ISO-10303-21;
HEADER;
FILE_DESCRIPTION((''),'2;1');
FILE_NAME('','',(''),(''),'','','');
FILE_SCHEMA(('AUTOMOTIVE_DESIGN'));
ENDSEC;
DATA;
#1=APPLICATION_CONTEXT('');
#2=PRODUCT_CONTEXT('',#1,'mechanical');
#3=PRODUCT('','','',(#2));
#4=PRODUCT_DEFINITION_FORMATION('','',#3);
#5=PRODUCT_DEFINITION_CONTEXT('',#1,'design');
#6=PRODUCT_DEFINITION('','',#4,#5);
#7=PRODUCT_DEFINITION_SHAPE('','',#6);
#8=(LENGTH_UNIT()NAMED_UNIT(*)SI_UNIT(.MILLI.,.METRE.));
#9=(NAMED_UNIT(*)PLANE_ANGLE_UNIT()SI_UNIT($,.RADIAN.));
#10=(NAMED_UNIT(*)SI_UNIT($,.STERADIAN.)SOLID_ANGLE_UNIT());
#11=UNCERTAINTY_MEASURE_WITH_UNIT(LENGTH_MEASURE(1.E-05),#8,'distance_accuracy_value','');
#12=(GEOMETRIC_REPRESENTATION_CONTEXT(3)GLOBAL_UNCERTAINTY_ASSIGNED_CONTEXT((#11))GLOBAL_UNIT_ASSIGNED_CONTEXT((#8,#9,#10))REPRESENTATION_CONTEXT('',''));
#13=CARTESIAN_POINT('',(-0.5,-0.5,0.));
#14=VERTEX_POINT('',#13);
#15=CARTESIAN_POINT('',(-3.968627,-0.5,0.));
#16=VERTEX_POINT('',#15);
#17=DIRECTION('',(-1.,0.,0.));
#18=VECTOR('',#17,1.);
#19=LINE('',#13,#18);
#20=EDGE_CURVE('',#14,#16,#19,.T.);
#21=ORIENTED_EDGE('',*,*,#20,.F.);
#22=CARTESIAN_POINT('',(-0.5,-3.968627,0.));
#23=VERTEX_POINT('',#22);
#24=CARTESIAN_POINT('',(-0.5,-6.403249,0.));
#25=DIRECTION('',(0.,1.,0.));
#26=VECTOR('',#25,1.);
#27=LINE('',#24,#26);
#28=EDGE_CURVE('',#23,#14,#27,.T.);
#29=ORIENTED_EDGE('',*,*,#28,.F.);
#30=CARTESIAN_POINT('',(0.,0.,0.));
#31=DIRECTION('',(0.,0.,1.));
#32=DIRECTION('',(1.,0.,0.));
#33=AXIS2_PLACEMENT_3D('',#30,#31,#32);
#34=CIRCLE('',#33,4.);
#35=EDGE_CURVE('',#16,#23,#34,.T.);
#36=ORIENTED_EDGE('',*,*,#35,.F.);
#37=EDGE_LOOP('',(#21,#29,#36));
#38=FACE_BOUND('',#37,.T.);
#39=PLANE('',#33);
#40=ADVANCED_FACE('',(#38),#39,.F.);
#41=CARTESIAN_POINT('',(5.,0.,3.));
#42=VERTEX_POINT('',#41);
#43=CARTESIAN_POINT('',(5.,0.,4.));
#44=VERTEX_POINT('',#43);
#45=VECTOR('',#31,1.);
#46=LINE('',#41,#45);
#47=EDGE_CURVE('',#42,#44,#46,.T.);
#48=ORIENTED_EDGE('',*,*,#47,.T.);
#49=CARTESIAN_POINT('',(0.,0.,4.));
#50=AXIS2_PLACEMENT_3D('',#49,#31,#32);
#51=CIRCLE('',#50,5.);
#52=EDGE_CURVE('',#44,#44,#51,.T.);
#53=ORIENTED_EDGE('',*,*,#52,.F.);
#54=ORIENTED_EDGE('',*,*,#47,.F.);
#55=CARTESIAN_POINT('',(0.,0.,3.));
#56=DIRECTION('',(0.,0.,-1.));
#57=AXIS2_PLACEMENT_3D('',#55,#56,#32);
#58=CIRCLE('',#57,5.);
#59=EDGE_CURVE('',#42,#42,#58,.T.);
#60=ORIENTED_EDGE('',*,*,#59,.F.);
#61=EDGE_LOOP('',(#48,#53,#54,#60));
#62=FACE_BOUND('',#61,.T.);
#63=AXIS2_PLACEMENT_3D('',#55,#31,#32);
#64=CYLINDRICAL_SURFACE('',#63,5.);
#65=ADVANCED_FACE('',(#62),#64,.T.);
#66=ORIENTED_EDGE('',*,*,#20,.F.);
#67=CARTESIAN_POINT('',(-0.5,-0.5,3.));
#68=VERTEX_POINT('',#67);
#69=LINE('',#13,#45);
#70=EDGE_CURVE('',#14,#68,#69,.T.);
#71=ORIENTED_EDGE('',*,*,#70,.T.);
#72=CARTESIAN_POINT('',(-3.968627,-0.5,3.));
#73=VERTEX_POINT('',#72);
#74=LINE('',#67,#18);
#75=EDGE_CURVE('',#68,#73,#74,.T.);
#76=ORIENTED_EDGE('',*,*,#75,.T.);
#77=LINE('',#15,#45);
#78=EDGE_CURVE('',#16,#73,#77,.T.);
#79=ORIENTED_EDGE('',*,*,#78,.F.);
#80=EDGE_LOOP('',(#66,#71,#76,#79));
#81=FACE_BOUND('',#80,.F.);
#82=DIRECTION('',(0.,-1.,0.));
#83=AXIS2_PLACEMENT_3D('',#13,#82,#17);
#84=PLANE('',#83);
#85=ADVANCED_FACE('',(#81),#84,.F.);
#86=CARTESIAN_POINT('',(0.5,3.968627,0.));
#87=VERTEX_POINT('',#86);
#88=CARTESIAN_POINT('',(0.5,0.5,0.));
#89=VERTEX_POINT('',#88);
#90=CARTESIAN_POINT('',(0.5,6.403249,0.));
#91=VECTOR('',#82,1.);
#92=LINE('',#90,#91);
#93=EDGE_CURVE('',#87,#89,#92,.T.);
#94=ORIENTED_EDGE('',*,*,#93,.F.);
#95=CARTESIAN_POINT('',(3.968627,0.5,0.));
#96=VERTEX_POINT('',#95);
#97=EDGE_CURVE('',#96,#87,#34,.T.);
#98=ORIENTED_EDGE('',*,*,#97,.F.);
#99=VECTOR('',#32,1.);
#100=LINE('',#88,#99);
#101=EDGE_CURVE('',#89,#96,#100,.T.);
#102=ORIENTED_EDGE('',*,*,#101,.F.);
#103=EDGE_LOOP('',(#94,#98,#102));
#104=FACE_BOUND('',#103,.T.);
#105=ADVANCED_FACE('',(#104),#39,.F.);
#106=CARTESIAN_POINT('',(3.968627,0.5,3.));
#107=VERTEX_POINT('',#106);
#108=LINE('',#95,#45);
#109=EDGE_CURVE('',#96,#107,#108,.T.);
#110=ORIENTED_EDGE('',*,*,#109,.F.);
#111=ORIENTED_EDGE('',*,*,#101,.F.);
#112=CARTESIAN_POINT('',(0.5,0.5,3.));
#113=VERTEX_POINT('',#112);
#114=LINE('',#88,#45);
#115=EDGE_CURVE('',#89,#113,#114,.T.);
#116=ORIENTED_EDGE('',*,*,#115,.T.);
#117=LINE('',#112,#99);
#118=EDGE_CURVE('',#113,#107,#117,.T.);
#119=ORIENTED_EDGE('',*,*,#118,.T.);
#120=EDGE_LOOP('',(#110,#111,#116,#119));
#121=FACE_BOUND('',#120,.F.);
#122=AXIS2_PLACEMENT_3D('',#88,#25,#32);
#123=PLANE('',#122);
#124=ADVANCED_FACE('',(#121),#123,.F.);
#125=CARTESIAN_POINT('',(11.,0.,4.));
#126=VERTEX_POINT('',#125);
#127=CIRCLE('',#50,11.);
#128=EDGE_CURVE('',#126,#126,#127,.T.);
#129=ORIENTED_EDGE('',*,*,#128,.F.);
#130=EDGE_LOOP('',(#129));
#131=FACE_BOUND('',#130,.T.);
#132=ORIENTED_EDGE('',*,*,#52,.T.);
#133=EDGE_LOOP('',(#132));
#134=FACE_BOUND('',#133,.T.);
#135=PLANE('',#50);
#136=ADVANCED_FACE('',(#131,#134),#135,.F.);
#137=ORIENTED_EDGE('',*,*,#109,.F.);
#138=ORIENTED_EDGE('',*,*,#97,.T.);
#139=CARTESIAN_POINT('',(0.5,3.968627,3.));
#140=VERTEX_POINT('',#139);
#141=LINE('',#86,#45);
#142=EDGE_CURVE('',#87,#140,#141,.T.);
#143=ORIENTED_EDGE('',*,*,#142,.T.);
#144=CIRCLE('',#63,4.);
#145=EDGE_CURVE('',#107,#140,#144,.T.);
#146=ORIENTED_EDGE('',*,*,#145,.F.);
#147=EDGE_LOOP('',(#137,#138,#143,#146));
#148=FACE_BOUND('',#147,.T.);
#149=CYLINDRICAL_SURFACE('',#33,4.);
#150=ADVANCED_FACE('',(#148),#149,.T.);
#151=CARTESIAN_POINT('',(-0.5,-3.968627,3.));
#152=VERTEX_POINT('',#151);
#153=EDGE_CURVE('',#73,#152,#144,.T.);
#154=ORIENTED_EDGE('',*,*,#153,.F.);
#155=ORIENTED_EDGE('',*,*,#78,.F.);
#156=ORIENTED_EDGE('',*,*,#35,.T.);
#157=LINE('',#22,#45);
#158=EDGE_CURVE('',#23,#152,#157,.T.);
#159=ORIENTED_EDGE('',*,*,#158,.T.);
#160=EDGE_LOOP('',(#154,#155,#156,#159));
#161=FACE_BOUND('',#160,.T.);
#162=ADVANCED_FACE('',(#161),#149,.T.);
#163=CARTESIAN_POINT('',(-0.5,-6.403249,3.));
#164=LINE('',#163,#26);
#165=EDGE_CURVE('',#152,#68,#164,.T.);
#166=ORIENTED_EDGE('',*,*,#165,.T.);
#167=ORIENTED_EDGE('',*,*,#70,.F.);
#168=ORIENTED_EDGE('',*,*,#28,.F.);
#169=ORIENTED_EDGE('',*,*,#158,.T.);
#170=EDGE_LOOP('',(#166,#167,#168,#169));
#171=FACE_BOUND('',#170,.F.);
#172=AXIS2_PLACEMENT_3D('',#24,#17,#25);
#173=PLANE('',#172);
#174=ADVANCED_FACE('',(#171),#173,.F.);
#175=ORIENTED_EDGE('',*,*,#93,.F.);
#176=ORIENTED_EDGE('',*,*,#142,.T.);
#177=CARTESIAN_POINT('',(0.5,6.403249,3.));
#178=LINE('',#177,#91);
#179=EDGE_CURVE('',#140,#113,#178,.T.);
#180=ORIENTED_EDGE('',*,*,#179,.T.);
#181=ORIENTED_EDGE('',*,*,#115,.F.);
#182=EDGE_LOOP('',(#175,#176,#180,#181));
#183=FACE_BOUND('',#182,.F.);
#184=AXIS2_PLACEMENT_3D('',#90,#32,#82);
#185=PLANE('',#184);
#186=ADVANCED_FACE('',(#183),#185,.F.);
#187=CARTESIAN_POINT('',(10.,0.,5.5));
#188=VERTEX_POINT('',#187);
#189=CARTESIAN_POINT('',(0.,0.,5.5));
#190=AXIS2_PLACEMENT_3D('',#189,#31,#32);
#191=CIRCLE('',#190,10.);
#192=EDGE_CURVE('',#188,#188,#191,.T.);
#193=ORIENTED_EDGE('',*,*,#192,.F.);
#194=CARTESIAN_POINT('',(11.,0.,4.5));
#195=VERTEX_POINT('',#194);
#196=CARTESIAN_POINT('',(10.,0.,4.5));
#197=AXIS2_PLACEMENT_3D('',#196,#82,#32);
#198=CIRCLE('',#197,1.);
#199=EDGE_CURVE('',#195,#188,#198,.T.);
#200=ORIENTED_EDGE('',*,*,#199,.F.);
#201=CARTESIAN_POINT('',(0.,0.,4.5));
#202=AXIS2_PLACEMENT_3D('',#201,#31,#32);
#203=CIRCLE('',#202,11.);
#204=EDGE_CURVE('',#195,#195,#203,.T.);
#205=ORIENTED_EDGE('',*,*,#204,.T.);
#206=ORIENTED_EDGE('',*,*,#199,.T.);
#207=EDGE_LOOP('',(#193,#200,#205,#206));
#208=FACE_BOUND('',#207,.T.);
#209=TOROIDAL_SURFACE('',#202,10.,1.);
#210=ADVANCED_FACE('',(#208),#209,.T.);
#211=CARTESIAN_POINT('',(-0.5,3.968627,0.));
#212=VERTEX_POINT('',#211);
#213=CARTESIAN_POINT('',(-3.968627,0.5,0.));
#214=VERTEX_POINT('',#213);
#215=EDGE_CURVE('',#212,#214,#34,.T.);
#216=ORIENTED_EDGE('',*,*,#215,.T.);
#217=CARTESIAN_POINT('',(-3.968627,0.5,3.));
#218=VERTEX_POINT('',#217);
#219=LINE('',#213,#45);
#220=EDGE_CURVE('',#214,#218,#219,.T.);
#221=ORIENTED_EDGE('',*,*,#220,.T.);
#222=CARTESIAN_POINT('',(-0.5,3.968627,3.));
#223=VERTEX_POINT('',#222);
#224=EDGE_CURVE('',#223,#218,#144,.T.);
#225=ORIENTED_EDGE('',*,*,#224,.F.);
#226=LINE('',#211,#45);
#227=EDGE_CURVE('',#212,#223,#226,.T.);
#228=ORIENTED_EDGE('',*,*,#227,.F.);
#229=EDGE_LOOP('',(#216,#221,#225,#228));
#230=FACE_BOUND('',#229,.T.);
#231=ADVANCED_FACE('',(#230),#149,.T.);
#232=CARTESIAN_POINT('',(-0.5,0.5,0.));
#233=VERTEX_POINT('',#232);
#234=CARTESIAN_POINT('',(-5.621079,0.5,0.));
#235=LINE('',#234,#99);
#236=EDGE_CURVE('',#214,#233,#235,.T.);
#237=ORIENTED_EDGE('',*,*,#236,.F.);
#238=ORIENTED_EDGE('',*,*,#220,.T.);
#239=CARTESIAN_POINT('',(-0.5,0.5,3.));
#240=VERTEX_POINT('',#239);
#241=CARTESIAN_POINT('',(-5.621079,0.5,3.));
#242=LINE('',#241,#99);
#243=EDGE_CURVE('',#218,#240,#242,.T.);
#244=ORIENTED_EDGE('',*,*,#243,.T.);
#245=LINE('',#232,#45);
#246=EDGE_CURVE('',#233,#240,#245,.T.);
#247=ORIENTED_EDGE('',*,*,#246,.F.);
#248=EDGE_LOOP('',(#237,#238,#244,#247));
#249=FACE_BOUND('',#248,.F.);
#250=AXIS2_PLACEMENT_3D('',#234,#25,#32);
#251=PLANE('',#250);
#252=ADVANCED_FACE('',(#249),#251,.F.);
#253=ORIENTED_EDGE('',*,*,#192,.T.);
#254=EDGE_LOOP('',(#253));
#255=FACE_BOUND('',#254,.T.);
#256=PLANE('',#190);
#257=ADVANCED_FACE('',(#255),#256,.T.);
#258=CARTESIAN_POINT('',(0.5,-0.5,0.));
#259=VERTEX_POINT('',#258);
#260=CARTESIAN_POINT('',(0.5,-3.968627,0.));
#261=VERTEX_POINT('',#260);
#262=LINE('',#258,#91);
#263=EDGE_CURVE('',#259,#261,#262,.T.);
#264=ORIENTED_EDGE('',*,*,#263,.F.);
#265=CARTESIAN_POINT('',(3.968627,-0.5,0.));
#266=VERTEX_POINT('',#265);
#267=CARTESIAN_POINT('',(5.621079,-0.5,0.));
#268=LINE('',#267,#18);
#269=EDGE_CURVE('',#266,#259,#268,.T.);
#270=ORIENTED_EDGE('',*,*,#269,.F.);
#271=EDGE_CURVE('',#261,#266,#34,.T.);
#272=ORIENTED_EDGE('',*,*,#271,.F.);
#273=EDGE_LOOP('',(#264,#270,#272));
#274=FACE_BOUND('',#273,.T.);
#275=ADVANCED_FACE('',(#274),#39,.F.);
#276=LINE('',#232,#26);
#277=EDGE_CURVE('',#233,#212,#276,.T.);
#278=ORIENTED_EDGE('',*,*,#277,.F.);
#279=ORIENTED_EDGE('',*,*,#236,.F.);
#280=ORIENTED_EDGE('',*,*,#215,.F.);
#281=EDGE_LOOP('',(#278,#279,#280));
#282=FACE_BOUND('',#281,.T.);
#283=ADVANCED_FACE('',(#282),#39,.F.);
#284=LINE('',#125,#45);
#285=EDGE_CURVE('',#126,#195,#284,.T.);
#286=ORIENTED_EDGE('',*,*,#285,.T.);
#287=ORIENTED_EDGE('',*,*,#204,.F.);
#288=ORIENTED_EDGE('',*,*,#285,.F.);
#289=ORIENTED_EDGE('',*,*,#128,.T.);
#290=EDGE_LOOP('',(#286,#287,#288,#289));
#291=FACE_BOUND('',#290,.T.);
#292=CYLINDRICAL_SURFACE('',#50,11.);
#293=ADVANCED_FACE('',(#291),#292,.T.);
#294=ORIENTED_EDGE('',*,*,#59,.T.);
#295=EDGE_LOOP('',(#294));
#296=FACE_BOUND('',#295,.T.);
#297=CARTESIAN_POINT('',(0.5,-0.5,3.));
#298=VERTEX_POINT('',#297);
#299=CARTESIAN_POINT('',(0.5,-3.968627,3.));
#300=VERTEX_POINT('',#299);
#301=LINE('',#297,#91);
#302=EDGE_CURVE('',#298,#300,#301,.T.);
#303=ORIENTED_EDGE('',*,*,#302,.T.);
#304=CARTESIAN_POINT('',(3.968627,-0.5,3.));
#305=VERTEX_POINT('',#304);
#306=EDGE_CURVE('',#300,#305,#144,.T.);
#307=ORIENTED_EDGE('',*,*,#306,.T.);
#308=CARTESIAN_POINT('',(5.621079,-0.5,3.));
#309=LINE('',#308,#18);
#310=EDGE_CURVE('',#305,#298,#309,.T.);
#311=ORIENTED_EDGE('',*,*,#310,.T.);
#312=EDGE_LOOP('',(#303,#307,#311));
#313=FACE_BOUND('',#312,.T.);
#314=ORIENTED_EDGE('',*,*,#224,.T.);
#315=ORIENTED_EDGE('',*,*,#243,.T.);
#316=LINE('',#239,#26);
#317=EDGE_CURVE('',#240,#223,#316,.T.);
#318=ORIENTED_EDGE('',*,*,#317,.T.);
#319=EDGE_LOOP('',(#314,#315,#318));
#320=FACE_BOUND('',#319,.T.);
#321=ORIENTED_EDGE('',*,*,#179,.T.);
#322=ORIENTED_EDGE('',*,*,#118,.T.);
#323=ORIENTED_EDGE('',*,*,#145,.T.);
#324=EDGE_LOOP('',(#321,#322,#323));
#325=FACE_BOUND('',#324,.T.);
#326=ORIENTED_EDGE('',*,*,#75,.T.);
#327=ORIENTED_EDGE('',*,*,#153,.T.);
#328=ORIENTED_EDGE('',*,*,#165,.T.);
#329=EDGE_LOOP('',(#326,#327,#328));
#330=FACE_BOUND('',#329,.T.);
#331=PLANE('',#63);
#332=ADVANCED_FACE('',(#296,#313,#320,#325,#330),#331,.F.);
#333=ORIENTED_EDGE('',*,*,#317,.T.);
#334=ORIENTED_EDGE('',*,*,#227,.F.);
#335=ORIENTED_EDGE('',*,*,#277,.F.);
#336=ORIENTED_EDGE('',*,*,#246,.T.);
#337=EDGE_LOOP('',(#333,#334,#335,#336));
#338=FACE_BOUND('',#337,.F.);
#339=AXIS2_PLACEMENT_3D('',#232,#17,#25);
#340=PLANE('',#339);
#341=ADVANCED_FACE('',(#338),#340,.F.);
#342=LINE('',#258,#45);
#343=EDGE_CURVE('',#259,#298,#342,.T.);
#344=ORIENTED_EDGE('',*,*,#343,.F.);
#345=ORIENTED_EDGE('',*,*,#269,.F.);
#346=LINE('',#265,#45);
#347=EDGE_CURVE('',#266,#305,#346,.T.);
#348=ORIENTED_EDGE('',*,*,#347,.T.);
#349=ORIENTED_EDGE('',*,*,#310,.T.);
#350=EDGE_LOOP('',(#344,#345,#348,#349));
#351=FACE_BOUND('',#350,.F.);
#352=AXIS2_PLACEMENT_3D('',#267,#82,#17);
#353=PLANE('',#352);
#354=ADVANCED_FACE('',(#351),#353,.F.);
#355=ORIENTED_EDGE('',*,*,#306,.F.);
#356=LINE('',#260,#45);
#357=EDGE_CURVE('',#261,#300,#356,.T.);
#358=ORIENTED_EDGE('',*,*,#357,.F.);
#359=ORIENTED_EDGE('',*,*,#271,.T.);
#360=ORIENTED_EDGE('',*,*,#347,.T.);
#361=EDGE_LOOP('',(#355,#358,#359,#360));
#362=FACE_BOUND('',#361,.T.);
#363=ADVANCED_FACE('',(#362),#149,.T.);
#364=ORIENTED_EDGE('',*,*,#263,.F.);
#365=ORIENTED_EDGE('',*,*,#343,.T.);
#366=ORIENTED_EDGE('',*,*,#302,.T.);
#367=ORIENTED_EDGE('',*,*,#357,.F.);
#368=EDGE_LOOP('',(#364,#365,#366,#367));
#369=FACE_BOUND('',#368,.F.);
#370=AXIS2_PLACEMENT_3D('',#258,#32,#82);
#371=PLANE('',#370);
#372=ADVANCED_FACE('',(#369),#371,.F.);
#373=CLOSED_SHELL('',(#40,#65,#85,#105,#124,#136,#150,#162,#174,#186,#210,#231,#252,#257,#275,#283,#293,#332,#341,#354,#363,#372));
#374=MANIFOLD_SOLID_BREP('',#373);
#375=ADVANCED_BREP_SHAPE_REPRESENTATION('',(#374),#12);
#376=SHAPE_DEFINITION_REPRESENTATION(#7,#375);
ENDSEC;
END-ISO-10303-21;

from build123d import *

# Parameters (mm, degrees)
F3_DEPTH = 3
F4_R     = 1


with BuildPart() as f1:
    # F0 (on Front) → F1 (revolve)
    with BuildSketch(Plane.XZ):
        Polygon((0, 5.5), (0, 0), (4, 0), (4, 3), (5, 3), (5, 4), (11, 4), (11, 5.5), align=None)
    revolve(axis=Axis((0, 0, 5.302473), (0, 0, 1)))

    # F2 (on face) → F3 (cut, through all)
    with BuildSketch(Plane(origin=(0, 0, 0), x_dir=(1, 0, 0), z_dir=(0, 0, -1))):
        Polygon((-0.5, -6.403249), (0.5, -6.403249), (0.5, -0.5), (5.621079, -0.5), (5.621079, 0.5), (0.5, 0.5), (0.5, 6.403249), (-0.5, 6.403249), (-0.5, 0.5), (-5.621079, 0.5), (-5.621079, -0.5), (-0.5, -0.5), align=None)
    extrude(amount=-F3_DEPTH, mode=Mode.SUBTRACT)

    # F4
    f4_edges = [f1.edges().sort_by_distance(p)[0] for p in [
        (-11, 0, 5.5),
    ]]
    fillet(f4_edges, radius=F4_R)


solid = f1.part
